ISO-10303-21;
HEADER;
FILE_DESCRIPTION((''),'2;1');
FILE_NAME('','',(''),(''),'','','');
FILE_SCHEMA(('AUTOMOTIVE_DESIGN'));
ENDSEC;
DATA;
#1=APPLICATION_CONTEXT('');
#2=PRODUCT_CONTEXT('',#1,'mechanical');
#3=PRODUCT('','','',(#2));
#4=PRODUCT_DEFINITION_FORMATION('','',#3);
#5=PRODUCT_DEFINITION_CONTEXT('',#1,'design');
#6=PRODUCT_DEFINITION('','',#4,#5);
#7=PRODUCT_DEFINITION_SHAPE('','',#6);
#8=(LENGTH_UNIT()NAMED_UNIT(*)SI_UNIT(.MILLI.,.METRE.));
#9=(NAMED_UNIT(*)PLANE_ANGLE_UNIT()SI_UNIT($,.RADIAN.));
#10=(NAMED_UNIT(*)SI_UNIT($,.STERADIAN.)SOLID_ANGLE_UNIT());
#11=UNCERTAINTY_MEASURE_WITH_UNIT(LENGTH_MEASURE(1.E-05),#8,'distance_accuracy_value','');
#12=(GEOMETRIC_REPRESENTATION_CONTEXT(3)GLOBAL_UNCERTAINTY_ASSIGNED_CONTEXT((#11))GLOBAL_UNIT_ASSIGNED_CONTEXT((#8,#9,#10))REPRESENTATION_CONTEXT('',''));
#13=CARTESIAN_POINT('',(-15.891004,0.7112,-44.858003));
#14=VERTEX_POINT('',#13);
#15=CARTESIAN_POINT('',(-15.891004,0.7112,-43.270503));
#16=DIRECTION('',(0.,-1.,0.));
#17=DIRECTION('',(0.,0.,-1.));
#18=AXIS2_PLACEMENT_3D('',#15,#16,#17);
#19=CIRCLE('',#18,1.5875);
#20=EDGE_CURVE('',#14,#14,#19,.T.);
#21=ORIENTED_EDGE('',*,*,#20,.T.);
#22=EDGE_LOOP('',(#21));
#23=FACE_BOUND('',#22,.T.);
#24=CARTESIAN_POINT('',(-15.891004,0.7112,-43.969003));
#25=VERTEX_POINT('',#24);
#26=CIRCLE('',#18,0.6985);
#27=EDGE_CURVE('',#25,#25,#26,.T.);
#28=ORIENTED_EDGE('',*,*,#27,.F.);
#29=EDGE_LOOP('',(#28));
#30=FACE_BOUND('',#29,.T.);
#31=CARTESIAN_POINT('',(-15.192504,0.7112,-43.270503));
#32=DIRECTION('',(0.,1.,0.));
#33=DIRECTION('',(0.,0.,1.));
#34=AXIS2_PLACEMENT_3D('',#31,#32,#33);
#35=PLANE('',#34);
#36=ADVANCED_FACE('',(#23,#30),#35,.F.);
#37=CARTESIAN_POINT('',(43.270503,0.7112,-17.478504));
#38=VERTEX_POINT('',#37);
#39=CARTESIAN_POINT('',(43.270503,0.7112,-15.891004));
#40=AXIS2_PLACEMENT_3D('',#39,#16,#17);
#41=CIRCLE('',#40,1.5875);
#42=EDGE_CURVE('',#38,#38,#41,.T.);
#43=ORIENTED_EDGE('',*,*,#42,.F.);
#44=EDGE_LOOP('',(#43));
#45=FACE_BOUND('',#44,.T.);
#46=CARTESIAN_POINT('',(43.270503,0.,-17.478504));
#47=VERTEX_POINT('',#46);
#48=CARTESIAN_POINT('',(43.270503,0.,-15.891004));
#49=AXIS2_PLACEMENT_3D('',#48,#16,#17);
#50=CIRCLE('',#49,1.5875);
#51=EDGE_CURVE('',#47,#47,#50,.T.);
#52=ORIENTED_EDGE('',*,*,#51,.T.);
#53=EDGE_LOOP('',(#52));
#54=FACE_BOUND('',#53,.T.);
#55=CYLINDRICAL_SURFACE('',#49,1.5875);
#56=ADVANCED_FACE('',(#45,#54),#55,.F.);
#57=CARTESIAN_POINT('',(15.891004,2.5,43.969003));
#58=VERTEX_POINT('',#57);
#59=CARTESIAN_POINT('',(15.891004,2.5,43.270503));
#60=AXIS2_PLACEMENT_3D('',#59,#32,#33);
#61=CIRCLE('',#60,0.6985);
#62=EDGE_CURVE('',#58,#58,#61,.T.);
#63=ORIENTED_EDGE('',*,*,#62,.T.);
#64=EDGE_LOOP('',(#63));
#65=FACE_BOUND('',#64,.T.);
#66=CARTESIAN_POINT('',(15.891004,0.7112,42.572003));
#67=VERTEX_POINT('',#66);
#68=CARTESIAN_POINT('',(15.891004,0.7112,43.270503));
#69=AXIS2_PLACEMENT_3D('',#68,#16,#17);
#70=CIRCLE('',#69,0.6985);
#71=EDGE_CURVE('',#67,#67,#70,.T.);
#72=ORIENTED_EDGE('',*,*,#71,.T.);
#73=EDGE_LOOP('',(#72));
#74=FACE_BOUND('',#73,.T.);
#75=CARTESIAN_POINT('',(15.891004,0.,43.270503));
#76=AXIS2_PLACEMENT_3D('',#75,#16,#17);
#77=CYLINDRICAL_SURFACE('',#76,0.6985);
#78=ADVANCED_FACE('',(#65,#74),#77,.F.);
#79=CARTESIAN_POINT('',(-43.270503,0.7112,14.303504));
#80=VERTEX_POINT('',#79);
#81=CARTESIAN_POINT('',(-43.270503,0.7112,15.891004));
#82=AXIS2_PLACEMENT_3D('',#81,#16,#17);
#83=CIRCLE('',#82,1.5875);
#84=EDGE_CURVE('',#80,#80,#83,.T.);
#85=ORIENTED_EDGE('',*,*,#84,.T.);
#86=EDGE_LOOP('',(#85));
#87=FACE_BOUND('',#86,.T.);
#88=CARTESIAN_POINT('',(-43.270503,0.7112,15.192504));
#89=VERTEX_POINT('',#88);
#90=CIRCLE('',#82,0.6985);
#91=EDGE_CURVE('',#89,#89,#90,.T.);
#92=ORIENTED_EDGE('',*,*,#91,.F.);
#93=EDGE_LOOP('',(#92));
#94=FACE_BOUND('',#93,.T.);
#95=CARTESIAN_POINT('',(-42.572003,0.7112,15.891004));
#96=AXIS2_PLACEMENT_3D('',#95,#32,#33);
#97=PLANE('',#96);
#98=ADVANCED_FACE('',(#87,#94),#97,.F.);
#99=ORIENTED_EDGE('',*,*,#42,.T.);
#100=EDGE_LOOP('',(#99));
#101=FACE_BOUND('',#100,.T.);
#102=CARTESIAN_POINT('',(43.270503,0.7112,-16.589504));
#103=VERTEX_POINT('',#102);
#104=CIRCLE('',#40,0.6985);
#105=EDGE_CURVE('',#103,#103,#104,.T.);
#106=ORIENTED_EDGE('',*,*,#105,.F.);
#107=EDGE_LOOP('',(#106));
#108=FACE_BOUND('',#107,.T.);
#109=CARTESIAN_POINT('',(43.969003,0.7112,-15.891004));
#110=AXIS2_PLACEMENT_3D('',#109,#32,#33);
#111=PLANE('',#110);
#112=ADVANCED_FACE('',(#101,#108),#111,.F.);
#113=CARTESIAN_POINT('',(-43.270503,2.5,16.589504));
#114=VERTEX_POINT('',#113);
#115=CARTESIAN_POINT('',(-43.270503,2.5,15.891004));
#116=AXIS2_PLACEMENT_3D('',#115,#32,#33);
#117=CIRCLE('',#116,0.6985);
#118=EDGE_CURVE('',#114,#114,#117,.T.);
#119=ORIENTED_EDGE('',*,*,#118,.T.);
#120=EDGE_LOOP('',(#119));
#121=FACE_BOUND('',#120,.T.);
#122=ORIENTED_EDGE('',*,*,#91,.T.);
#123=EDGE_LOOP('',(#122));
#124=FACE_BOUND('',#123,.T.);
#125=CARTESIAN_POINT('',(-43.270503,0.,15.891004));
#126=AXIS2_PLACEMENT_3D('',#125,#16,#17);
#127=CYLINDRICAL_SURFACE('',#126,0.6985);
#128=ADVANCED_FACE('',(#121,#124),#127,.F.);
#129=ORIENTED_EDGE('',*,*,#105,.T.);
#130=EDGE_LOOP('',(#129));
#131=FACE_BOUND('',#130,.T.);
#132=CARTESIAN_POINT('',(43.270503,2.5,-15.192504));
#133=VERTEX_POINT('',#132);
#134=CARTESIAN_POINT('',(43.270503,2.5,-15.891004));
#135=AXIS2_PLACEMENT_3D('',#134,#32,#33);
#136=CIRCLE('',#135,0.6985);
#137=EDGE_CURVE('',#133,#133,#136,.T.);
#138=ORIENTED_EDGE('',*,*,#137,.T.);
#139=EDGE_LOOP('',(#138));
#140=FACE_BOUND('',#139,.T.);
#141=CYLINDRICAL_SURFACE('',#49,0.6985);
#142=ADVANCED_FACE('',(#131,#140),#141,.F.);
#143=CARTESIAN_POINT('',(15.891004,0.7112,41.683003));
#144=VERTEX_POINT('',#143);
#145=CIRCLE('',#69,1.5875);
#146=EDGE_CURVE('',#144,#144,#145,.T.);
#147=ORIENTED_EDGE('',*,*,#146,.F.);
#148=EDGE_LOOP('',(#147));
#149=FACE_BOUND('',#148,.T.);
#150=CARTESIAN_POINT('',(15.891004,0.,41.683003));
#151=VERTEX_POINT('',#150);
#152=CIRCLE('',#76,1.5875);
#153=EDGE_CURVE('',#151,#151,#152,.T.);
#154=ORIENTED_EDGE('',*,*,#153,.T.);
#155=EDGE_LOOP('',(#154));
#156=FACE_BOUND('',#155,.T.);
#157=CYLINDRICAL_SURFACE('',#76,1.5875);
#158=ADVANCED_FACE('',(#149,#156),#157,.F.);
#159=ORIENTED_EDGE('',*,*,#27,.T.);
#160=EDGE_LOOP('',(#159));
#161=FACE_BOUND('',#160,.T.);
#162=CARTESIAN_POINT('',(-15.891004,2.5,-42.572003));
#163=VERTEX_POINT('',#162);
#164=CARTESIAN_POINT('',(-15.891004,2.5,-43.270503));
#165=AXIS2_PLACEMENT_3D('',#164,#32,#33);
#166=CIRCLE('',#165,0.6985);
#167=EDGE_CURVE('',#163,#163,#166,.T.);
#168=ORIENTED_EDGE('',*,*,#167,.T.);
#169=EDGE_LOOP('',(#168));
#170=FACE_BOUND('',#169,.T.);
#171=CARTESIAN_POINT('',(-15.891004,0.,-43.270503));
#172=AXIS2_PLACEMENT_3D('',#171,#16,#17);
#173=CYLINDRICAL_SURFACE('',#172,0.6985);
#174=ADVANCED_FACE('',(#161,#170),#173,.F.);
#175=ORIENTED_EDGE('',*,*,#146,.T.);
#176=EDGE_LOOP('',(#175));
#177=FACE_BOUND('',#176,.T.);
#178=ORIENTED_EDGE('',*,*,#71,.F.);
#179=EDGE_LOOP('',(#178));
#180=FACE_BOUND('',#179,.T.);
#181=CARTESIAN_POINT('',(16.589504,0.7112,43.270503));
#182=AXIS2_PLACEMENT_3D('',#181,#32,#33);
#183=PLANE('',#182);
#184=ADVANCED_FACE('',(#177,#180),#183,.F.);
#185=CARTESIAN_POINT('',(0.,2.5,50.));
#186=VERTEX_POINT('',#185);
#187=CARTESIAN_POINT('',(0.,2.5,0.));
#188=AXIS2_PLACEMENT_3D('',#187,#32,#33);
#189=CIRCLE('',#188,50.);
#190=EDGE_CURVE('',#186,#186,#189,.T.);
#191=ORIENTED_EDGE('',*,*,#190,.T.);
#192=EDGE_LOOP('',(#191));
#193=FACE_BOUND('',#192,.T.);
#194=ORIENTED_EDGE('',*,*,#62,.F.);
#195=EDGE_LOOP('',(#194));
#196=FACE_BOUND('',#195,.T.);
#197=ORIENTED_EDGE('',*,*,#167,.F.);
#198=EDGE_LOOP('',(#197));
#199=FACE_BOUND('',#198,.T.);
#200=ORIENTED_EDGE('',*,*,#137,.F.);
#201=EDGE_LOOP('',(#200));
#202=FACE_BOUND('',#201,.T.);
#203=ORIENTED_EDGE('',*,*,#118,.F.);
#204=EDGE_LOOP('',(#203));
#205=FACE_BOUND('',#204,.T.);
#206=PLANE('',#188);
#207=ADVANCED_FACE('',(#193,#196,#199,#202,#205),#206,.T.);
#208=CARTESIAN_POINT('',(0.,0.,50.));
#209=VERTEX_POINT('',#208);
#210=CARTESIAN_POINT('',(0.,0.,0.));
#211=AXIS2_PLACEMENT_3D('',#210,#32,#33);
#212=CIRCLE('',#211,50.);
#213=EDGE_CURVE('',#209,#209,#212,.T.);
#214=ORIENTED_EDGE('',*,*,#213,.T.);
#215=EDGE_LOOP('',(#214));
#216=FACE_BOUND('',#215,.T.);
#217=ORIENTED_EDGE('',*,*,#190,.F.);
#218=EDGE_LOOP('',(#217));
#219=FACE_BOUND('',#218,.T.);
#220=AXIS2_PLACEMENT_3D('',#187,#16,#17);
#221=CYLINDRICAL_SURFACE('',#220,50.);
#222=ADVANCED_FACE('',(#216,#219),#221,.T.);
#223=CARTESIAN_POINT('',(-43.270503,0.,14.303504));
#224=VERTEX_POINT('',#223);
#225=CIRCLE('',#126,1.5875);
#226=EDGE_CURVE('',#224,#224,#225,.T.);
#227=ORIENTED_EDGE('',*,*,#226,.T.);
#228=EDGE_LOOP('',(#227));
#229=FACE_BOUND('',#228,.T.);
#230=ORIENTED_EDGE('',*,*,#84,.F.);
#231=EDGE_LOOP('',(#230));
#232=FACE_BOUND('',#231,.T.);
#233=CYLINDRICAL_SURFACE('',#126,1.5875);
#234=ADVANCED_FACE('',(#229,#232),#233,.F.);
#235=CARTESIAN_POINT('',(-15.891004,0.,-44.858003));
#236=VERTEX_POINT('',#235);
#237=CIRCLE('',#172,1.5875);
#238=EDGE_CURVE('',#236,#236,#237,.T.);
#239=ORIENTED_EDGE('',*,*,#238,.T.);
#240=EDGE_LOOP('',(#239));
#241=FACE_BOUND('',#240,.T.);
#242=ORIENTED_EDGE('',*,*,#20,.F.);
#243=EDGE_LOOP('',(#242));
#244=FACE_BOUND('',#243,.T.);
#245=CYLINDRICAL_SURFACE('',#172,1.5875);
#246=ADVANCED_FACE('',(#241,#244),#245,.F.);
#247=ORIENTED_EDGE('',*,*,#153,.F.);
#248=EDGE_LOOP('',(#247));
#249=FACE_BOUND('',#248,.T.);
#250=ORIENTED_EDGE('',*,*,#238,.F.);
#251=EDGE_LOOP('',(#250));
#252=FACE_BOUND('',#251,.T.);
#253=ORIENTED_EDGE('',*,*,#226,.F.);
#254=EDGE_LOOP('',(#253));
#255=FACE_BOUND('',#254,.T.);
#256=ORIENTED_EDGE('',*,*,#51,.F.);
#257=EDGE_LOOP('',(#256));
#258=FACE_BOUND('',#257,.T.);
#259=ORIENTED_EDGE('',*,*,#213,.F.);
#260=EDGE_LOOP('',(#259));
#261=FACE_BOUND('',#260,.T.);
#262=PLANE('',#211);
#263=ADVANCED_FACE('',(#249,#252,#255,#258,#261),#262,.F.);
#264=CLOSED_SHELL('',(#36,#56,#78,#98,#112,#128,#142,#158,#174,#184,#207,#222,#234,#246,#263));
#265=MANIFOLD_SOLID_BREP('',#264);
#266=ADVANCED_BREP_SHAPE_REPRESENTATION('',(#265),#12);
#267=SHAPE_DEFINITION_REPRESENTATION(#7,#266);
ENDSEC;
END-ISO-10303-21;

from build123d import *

# Parameters (mm, degrees)
SKETCH1_R                                           = 50
BOSS_EXTRUDE1_DEPTH                                 = 2.5
CBORE_FOR_00_BINDING_HEAD_MACHINE_SCREW_D           = 1.397
CBORE_FOR_00_BINDING_HEAD_MACHINE_SCREW_DEPTH       = 7.5
CBORE_FOR_00_BINDING_HEAD_MACHINE_SCREW_CBORE_D     = 3.175
CBORE_FOR_00_BINDING_HEAD_MACHINE_SCREW_CBORE_DEPTH = 0.7112
CBORE_FOR_00_BINDING_HEAD_MACHINE_SCREW_TIP         = 0.419701142


with BuildPart() as part:
    # Sketch1 → Boss-Extrude1 (new body)
    with BuildSketch(Plane(origin=(0, 0, 0), x_dir=(1, 0, 0), z_dir=(0, 1, 0))):
        with Locations(Location((0, 0, 0), (0, 0, 270))):
            Circle(SKETCH1_R)
    extrude(amount=BOSS_EXTRUDE1_DEPTH)

    # CBORE for #00 Binding Head Machine Screw1
    with Locations(Plane(origin=(-15.891003533, 0, -43.270503311), x_dir=(0, 0, -1), z_dir=(0, -1, 0))):
        with Locations((0, 0), (-59.161506844, -27.379499778), (-86.541006622, 31.782007066), (-27.379499778, 59.161506844)):
            CounterBoreHole(CBORE_FOR_00_BINDING_HEAD_MACHINE_SCREW_D / 2, CBORE_FOR_00_BINDING_HEAD_MACHINE_SCREW_CBORE_D / 2, CBORE_FOR_00_BINDING_HEAD_MACHINE_SCREW_CBORE_DEPTH, depth=CBORE_FOR_00_BINDING_HEAD_MACHINE_SCREW_DEPTH)
            with Locations((0, 0, -(CBORE_FOR_00_BINDING_HEAD_MACHINE_SCREW_DEPTH + CBORE_FOR_00_BINDING_HEAD_MACHINE_SCREW_TIP / 2))):  # 118° drill point
                Cone(0, CBORE_FOR_00_BINDING_HEAD_MACHINE_SCREW_D / 2, CBORE_FOR_00_BINDING_HEAD_MACHINE_SCREW_TIP, mode=Mode.SUBTRACT)


solid = part.part
